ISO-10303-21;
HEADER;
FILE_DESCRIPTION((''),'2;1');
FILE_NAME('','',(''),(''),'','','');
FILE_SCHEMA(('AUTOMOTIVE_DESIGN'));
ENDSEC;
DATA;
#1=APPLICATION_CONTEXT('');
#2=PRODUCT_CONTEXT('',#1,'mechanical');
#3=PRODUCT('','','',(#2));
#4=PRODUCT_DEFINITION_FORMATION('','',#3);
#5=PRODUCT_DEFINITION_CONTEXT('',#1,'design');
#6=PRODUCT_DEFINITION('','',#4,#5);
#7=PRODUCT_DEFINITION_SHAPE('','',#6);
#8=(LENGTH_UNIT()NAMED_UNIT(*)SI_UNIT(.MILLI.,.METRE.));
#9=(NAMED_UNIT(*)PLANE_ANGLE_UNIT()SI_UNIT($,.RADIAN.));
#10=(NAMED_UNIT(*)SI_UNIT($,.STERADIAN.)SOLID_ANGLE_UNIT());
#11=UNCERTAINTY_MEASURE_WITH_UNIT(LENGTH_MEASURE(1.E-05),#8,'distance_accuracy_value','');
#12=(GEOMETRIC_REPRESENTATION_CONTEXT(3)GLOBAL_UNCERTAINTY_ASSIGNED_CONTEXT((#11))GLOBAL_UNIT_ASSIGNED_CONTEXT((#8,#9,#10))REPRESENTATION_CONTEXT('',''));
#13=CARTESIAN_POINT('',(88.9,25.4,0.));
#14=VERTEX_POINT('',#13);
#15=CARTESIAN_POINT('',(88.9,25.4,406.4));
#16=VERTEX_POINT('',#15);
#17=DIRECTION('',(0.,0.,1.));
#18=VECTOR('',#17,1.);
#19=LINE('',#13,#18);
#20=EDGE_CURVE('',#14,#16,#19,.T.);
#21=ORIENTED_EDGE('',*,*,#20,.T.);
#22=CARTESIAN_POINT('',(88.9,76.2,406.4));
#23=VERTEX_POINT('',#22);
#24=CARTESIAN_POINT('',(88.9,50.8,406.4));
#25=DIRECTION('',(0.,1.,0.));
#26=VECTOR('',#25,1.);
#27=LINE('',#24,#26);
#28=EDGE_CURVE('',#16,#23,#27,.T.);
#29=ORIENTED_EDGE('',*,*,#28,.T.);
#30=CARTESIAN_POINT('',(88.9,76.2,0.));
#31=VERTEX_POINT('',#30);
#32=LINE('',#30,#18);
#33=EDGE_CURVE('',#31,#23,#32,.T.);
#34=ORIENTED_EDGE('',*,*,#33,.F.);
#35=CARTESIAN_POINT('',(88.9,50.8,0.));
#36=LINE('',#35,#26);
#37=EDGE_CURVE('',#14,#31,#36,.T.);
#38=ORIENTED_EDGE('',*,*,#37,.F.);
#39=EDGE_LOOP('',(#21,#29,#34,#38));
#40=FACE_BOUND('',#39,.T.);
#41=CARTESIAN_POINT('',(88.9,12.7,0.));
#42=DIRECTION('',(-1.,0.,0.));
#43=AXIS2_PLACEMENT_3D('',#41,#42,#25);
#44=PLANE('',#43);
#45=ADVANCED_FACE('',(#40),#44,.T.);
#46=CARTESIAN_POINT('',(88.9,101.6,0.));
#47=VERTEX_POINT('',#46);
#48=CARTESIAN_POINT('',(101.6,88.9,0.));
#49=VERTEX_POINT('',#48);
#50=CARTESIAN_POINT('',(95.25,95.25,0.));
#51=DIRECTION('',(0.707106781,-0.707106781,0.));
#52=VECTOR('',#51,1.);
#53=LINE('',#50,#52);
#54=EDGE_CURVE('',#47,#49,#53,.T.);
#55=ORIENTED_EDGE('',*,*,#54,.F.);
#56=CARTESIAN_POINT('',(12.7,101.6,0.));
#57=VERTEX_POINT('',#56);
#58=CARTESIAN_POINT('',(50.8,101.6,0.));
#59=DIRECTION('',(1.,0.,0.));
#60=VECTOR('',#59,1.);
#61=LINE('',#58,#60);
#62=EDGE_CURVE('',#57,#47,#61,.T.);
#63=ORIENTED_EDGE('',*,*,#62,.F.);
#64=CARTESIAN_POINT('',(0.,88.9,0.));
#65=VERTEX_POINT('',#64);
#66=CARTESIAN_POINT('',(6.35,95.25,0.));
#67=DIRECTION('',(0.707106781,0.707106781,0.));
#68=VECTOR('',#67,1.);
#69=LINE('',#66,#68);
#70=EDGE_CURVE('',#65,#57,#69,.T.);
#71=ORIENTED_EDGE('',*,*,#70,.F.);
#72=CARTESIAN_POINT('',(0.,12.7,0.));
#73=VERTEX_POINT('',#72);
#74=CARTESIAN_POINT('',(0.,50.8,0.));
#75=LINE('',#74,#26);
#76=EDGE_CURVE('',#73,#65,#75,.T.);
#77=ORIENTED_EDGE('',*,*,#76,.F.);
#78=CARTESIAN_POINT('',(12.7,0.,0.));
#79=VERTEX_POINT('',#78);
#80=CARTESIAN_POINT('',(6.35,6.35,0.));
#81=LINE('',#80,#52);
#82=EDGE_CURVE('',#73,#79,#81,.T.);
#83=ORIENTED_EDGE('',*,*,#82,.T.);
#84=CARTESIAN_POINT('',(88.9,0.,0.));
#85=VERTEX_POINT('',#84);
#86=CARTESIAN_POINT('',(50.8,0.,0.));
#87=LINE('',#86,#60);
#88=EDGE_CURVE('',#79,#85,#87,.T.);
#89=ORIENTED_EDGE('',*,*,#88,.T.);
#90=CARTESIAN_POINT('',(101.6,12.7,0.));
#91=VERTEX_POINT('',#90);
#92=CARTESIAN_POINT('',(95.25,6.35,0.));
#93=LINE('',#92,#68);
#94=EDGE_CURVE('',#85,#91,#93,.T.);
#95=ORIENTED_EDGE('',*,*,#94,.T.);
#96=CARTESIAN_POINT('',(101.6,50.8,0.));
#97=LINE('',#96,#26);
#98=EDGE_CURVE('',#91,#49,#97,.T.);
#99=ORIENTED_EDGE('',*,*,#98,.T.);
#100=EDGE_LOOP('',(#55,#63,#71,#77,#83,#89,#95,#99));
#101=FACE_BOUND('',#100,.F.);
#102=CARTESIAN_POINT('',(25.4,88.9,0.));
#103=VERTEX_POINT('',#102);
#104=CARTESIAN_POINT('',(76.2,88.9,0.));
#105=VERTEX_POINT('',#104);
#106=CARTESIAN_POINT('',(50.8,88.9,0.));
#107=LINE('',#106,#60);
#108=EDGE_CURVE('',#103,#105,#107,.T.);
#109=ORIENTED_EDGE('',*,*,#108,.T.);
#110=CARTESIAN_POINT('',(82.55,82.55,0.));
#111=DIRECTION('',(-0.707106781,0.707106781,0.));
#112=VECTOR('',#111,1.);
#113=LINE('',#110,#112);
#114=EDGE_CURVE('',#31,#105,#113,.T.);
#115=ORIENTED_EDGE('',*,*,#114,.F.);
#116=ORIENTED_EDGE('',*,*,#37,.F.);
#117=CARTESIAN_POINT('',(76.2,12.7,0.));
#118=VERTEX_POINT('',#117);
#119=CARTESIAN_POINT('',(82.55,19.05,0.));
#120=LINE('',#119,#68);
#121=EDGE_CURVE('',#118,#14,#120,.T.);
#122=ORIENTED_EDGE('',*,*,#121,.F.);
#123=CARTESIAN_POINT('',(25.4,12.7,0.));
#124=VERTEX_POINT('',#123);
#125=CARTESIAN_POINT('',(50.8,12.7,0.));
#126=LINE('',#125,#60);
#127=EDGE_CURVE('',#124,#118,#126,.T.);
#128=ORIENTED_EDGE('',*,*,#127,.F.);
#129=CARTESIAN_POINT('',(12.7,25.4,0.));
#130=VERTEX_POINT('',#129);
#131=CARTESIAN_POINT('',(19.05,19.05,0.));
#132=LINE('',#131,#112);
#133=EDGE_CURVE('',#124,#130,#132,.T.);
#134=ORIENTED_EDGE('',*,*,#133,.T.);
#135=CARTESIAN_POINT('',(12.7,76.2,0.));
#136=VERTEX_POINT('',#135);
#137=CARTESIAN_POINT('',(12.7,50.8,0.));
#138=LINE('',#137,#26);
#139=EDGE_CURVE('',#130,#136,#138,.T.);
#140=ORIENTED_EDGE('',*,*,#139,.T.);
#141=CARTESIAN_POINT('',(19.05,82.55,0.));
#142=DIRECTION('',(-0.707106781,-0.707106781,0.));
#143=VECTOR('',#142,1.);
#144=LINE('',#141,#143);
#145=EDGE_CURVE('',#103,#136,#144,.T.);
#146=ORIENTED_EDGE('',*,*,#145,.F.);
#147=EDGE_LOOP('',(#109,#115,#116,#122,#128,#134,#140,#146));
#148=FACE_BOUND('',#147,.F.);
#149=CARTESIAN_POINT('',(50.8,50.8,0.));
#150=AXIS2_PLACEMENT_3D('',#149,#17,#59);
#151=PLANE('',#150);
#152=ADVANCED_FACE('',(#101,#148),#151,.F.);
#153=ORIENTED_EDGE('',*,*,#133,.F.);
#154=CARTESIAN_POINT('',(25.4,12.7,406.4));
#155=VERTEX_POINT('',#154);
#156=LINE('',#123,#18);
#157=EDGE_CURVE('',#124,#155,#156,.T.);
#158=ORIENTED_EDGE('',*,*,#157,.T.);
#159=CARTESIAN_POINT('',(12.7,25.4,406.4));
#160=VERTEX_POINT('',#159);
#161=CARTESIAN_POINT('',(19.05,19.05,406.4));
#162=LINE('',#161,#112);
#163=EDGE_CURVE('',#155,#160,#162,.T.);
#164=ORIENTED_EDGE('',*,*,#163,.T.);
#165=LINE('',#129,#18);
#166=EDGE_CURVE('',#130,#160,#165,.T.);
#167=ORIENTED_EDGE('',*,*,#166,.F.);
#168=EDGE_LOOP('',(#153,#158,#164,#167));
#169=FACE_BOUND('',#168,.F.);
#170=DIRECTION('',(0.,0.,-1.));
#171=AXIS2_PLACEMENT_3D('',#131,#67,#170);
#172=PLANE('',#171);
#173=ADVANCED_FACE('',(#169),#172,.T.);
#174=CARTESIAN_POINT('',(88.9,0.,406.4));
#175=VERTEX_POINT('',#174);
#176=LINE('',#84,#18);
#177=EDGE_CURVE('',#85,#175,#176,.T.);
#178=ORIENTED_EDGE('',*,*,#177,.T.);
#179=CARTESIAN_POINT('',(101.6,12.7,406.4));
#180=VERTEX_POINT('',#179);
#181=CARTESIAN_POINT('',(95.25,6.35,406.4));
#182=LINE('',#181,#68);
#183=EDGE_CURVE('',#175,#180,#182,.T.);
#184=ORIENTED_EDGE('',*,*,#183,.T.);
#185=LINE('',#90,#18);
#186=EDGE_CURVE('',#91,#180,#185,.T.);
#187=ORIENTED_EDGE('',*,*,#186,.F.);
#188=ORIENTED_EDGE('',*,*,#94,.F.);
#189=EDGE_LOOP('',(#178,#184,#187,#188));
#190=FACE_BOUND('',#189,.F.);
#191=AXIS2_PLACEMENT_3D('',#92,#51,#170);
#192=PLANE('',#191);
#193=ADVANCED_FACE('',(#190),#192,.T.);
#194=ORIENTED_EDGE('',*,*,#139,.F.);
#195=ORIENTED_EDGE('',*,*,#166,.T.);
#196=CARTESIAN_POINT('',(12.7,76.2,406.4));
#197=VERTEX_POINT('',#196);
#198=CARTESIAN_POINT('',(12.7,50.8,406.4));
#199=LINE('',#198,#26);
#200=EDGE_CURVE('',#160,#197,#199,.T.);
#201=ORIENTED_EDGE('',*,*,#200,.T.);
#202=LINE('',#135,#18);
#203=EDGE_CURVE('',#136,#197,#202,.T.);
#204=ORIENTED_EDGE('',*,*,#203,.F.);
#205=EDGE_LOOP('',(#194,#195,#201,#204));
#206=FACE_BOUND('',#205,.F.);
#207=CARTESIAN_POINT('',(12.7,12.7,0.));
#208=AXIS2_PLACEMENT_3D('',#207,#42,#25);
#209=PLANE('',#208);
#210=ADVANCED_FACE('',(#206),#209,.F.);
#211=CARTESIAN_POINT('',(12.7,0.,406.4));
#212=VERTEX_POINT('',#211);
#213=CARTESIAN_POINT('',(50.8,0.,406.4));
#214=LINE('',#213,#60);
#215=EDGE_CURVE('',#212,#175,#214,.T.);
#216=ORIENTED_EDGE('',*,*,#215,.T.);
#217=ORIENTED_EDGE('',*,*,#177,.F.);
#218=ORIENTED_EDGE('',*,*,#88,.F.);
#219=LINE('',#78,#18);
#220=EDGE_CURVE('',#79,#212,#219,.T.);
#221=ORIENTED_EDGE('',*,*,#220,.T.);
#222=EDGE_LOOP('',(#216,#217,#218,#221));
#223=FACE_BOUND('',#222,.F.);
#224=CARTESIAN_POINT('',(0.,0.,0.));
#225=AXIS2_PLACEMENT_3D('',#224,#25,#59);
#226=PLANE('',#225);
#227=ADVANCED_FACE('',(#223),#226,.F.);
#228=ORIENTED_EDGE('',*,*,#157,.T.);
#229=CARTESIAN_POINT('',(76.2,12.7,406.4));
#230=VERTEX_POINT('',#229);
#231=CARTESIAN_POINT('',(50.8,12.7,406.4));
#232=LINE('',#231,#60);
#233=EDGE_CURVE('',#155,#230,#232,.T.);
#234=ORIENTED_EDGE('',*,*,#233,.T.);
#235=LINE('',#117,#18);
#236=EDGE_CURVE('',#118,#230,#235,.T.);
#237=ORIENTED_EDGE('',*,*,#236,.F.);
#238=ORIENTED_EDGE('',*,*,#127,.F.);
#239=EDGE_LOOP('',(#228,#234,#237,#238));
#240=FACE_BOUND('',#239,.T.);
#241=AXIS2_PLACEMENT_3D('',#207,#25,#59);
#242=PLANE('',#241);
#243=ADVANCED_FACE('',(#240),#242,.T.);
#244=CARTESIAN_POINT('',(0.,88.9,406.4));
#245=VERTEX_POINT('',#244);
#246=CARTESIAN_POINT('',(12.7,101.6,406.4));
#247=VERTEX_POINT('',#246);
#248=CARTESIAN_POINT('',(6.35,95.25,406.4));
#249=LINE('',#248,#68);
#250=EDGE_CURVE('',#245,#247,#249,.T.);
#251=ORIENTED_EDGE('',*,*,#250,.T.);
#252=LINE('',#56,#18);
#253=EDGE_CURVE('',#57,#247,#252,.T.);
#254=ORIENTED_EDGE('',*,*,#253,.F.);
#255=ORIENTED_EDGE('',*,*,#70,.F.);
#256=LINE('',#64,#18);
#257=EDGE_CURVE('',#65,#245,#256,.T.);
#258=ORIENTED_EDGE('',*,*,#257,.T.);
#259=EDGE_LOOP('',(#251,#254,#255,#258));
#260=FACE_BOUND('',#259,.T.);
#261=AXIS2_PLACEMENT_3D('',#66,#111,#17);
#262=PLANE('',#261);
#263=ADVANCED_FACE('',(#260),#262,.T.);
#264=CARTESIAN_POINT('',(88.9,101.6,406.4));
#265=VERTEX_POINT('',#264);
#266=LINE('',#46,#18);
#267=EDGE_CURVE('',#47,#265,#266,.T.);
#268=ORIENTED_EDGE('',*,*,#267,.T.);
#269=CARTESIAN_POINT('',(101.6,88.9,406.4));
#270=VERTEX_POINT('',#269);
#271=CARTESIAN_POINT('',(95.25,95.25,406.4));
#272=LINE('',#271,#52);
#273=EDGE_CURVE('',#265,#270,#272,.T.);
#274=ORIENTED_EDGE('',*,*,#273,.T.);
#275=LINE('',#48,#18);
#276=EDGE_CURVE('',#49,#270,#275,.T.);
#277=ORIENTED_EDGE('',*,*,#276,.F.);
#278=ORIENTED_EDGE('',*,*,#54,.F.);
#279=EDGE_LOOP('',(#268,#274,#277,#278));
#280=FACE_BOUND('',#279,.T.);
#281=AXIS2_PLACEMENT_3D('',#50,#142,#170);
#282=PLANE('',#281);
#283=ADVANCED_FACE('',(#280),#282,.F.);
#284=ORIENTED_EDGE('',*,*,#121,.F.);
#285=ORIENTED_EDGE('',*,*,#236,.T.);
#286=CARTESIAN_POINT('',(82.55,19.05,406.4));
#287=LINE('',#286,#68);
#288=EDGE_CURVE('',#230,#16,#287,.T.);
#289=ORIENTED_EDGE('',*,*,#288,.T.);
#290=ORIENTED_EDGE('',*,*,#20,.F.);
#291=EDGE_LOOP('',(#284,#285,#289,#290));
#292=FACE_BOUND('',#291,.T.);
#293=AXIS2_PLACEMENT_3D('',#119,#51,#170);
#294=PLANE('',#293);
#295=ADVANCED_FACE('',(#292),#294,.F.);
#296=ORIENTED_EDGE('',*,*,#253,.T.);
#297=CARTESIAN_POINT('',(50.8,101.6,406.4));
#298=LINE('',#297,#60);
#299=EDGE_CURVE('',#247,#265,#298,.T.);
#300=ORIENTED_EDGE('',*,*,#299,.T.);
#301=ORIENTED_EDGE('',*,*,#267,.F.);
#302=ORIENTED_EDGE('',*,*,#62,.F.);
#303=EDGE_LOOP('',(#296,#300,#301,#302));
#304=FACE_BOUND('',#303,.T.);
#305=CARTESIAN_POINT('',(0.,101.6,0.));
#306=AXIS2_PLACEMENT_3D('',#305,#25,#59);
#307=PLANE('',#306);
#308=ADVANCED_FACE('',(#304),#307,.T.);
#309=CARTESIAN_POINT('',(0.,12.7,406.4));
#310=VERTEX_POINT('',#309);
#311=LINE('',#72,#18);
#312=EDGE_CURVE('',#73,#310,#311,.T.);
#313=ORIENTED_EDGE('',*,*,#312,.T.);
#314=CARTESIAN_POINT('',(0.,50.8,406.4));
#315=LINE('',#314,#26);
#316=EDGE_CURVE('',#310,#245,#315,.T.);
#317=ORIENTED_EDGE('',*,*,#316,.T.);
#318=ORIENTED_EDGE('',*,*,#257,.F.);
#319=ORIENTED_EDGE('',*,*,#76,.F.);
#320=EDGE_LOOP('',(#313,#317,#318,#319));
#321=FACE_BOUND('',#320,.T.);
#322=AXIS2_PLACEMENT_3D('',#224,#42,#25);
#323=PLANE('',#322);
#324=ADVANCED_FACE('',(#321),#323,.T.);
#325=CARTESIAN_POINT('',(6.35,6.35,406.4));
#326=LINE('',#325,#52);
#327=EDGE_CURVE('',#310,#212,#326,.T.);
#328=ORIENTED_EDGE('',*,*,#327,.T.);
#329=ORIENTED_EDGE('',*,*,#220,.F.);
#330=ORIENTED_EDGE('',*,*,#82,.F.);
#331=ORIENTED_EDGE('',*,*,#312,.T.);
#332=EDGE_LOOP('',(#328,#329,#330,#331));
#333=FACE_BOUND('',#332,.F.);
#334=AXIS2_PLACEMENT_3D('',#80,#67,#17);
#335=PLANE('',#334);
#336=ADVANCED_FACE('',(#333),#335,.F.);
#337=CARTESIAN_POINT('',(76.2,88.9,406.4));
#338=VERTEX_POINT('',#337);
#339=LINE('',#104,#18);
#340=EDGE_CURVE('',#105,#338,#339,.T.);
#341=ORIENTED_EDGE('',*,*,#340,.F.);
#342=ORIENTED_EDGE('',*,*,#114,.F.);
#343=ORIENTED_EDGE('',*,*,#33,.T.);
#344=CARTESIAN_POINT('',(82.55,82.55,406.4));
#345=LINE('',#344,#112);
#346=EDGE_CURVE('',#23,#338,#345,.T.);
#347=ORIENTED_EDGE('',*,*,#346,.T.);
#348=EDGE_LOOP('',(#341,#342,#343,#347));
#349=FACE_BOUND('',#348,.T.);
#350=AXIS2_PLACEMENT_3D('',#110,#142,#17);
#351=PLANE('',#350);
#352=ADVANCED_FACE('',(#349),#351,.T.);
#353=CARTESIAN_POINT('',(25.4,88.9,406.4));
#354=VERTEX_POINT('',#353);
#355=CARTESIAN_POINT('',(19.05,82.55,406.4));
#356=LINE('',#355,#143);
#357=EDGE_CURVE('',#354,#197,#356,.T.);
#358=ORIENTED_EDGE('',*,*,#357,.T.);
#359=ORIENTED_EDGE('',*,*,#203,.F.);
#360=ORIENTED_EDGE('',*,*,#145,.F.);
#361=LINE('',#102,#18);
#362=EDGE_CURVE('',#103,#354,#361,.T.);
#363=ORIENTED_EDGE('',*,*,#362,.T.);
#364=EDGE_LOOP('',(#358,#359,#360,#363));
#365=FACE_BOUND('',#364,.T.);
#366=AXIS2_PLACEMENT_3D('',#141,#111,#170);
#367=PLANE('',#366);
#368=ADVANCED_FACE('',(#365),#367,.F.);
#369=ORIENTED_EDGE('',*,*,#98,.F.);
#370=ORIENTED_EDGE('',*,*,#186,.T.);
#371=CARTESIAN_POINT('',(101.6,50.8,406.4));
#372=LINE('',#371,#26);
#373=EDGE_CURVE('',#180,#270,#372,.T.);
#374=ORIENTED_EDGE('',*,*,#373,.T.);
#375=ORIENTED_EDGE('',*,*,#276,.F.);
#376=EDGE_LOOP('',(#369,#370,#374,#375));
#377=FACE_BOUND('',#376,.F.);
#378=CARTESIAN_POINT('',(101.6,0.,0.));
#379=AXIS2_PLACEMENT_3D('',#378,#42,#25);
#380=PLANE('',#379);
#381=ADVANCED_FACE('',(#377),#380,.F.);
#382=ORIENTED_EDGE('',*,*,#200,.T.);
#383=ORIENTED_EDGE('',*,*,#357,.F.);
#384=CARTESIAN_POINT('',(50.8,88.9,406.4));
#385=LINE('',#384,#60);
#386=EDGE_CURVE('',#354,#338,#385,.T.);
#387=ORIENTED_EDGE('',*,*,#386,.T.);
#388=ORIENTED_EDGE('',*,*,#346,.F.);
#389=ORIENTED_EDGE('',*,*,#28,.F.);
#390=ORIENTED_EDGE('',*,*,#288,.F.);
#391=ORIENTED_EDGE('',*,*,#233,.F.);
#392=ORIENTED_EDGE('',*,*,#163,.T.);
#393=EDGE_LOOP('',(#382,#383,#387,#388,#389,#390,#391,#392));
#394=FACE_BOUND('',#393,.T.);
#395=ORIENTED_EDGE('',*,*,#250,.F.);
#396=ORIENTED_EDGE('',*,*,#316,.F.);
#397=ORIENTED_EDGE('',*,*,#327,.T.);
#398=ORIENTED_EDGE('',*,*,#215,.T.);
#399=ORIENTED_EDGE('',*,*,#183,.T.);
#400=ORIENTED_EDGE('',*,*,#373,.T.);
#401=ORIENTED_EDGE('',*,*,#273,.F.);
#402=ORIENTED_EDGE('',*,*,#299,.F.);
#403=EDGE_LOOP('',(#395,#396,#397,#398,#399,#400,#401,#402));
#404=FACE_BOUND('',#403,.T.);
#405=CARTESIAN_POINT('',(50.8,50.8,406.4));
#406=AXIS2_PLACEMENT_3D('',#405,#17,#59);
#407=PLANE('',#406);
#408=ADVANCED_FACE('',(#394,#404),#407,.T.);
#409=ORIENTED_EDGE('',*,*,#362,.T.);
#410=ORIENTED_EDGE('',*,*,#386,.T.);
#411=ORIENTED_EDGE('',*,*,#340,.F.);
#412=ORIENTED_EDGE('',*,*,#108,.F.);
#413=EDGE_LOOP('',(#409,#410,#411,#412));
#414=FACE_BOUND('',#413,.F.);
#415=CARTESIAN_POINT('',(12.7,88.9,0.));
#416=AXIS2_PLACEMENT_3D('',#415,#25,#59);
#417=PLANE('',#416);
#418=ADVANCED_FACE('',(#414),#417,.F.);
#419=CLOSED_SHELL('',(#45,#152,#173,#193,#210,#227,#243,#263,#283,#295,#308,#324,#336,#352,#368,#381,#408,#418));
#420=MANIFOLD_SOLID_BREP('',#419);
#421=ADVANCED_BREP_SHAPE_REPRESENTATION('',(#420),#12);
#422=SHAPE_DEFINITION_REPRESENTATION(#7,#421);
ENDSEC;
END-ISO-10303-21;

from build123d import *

# Parameters (mm, degrees)
F0_W     = 101.6
F0_H     = 101.6
F0_W_2   = 76.2
F0_H_2   = 76.2
F1_DEPTH = 406.4
F2_SIZE  = 12.7
F3_SIZE  = 12.7


with BuildPart() as f1:
    # F0 (on Top) → F1 (new body)
    with BuildSketch(Plane.XY):
        with Locations((50.8, 50.8)):
            Rectangle(F0_W, F0_H)
        with Locations((50.8, 50.8)):
            Rectangle(F0_W_2, F0_H_2, mode=Mode.SUBTRACT)
    extrude(amount=F1_DEPTH)

    # F2
    f2_edges = [f1.edges().sort_by_distance(p)[0] for p in [
        (12.7, 88.9, 203.2),
        (88.9, 88.9, 203.2),
        (88.9, 12.7, 203.2),
        (12.7, 12.7, 203.2),
    ]]
    chamfer(f2_edges, length=F2_SIZE)

    # F3
    f3_edges = [f1.edges().sort_by_distance(p)[0] for p in [
        (101.6, 0, 203.2),
        (101.6, 101.6, 203.2),
        (0, 0, 203.2),
        (0, 101.6, 203.2),
    ]]
    chamfer(f3_edges, length=F3_SIZE)


solid = f1.part
